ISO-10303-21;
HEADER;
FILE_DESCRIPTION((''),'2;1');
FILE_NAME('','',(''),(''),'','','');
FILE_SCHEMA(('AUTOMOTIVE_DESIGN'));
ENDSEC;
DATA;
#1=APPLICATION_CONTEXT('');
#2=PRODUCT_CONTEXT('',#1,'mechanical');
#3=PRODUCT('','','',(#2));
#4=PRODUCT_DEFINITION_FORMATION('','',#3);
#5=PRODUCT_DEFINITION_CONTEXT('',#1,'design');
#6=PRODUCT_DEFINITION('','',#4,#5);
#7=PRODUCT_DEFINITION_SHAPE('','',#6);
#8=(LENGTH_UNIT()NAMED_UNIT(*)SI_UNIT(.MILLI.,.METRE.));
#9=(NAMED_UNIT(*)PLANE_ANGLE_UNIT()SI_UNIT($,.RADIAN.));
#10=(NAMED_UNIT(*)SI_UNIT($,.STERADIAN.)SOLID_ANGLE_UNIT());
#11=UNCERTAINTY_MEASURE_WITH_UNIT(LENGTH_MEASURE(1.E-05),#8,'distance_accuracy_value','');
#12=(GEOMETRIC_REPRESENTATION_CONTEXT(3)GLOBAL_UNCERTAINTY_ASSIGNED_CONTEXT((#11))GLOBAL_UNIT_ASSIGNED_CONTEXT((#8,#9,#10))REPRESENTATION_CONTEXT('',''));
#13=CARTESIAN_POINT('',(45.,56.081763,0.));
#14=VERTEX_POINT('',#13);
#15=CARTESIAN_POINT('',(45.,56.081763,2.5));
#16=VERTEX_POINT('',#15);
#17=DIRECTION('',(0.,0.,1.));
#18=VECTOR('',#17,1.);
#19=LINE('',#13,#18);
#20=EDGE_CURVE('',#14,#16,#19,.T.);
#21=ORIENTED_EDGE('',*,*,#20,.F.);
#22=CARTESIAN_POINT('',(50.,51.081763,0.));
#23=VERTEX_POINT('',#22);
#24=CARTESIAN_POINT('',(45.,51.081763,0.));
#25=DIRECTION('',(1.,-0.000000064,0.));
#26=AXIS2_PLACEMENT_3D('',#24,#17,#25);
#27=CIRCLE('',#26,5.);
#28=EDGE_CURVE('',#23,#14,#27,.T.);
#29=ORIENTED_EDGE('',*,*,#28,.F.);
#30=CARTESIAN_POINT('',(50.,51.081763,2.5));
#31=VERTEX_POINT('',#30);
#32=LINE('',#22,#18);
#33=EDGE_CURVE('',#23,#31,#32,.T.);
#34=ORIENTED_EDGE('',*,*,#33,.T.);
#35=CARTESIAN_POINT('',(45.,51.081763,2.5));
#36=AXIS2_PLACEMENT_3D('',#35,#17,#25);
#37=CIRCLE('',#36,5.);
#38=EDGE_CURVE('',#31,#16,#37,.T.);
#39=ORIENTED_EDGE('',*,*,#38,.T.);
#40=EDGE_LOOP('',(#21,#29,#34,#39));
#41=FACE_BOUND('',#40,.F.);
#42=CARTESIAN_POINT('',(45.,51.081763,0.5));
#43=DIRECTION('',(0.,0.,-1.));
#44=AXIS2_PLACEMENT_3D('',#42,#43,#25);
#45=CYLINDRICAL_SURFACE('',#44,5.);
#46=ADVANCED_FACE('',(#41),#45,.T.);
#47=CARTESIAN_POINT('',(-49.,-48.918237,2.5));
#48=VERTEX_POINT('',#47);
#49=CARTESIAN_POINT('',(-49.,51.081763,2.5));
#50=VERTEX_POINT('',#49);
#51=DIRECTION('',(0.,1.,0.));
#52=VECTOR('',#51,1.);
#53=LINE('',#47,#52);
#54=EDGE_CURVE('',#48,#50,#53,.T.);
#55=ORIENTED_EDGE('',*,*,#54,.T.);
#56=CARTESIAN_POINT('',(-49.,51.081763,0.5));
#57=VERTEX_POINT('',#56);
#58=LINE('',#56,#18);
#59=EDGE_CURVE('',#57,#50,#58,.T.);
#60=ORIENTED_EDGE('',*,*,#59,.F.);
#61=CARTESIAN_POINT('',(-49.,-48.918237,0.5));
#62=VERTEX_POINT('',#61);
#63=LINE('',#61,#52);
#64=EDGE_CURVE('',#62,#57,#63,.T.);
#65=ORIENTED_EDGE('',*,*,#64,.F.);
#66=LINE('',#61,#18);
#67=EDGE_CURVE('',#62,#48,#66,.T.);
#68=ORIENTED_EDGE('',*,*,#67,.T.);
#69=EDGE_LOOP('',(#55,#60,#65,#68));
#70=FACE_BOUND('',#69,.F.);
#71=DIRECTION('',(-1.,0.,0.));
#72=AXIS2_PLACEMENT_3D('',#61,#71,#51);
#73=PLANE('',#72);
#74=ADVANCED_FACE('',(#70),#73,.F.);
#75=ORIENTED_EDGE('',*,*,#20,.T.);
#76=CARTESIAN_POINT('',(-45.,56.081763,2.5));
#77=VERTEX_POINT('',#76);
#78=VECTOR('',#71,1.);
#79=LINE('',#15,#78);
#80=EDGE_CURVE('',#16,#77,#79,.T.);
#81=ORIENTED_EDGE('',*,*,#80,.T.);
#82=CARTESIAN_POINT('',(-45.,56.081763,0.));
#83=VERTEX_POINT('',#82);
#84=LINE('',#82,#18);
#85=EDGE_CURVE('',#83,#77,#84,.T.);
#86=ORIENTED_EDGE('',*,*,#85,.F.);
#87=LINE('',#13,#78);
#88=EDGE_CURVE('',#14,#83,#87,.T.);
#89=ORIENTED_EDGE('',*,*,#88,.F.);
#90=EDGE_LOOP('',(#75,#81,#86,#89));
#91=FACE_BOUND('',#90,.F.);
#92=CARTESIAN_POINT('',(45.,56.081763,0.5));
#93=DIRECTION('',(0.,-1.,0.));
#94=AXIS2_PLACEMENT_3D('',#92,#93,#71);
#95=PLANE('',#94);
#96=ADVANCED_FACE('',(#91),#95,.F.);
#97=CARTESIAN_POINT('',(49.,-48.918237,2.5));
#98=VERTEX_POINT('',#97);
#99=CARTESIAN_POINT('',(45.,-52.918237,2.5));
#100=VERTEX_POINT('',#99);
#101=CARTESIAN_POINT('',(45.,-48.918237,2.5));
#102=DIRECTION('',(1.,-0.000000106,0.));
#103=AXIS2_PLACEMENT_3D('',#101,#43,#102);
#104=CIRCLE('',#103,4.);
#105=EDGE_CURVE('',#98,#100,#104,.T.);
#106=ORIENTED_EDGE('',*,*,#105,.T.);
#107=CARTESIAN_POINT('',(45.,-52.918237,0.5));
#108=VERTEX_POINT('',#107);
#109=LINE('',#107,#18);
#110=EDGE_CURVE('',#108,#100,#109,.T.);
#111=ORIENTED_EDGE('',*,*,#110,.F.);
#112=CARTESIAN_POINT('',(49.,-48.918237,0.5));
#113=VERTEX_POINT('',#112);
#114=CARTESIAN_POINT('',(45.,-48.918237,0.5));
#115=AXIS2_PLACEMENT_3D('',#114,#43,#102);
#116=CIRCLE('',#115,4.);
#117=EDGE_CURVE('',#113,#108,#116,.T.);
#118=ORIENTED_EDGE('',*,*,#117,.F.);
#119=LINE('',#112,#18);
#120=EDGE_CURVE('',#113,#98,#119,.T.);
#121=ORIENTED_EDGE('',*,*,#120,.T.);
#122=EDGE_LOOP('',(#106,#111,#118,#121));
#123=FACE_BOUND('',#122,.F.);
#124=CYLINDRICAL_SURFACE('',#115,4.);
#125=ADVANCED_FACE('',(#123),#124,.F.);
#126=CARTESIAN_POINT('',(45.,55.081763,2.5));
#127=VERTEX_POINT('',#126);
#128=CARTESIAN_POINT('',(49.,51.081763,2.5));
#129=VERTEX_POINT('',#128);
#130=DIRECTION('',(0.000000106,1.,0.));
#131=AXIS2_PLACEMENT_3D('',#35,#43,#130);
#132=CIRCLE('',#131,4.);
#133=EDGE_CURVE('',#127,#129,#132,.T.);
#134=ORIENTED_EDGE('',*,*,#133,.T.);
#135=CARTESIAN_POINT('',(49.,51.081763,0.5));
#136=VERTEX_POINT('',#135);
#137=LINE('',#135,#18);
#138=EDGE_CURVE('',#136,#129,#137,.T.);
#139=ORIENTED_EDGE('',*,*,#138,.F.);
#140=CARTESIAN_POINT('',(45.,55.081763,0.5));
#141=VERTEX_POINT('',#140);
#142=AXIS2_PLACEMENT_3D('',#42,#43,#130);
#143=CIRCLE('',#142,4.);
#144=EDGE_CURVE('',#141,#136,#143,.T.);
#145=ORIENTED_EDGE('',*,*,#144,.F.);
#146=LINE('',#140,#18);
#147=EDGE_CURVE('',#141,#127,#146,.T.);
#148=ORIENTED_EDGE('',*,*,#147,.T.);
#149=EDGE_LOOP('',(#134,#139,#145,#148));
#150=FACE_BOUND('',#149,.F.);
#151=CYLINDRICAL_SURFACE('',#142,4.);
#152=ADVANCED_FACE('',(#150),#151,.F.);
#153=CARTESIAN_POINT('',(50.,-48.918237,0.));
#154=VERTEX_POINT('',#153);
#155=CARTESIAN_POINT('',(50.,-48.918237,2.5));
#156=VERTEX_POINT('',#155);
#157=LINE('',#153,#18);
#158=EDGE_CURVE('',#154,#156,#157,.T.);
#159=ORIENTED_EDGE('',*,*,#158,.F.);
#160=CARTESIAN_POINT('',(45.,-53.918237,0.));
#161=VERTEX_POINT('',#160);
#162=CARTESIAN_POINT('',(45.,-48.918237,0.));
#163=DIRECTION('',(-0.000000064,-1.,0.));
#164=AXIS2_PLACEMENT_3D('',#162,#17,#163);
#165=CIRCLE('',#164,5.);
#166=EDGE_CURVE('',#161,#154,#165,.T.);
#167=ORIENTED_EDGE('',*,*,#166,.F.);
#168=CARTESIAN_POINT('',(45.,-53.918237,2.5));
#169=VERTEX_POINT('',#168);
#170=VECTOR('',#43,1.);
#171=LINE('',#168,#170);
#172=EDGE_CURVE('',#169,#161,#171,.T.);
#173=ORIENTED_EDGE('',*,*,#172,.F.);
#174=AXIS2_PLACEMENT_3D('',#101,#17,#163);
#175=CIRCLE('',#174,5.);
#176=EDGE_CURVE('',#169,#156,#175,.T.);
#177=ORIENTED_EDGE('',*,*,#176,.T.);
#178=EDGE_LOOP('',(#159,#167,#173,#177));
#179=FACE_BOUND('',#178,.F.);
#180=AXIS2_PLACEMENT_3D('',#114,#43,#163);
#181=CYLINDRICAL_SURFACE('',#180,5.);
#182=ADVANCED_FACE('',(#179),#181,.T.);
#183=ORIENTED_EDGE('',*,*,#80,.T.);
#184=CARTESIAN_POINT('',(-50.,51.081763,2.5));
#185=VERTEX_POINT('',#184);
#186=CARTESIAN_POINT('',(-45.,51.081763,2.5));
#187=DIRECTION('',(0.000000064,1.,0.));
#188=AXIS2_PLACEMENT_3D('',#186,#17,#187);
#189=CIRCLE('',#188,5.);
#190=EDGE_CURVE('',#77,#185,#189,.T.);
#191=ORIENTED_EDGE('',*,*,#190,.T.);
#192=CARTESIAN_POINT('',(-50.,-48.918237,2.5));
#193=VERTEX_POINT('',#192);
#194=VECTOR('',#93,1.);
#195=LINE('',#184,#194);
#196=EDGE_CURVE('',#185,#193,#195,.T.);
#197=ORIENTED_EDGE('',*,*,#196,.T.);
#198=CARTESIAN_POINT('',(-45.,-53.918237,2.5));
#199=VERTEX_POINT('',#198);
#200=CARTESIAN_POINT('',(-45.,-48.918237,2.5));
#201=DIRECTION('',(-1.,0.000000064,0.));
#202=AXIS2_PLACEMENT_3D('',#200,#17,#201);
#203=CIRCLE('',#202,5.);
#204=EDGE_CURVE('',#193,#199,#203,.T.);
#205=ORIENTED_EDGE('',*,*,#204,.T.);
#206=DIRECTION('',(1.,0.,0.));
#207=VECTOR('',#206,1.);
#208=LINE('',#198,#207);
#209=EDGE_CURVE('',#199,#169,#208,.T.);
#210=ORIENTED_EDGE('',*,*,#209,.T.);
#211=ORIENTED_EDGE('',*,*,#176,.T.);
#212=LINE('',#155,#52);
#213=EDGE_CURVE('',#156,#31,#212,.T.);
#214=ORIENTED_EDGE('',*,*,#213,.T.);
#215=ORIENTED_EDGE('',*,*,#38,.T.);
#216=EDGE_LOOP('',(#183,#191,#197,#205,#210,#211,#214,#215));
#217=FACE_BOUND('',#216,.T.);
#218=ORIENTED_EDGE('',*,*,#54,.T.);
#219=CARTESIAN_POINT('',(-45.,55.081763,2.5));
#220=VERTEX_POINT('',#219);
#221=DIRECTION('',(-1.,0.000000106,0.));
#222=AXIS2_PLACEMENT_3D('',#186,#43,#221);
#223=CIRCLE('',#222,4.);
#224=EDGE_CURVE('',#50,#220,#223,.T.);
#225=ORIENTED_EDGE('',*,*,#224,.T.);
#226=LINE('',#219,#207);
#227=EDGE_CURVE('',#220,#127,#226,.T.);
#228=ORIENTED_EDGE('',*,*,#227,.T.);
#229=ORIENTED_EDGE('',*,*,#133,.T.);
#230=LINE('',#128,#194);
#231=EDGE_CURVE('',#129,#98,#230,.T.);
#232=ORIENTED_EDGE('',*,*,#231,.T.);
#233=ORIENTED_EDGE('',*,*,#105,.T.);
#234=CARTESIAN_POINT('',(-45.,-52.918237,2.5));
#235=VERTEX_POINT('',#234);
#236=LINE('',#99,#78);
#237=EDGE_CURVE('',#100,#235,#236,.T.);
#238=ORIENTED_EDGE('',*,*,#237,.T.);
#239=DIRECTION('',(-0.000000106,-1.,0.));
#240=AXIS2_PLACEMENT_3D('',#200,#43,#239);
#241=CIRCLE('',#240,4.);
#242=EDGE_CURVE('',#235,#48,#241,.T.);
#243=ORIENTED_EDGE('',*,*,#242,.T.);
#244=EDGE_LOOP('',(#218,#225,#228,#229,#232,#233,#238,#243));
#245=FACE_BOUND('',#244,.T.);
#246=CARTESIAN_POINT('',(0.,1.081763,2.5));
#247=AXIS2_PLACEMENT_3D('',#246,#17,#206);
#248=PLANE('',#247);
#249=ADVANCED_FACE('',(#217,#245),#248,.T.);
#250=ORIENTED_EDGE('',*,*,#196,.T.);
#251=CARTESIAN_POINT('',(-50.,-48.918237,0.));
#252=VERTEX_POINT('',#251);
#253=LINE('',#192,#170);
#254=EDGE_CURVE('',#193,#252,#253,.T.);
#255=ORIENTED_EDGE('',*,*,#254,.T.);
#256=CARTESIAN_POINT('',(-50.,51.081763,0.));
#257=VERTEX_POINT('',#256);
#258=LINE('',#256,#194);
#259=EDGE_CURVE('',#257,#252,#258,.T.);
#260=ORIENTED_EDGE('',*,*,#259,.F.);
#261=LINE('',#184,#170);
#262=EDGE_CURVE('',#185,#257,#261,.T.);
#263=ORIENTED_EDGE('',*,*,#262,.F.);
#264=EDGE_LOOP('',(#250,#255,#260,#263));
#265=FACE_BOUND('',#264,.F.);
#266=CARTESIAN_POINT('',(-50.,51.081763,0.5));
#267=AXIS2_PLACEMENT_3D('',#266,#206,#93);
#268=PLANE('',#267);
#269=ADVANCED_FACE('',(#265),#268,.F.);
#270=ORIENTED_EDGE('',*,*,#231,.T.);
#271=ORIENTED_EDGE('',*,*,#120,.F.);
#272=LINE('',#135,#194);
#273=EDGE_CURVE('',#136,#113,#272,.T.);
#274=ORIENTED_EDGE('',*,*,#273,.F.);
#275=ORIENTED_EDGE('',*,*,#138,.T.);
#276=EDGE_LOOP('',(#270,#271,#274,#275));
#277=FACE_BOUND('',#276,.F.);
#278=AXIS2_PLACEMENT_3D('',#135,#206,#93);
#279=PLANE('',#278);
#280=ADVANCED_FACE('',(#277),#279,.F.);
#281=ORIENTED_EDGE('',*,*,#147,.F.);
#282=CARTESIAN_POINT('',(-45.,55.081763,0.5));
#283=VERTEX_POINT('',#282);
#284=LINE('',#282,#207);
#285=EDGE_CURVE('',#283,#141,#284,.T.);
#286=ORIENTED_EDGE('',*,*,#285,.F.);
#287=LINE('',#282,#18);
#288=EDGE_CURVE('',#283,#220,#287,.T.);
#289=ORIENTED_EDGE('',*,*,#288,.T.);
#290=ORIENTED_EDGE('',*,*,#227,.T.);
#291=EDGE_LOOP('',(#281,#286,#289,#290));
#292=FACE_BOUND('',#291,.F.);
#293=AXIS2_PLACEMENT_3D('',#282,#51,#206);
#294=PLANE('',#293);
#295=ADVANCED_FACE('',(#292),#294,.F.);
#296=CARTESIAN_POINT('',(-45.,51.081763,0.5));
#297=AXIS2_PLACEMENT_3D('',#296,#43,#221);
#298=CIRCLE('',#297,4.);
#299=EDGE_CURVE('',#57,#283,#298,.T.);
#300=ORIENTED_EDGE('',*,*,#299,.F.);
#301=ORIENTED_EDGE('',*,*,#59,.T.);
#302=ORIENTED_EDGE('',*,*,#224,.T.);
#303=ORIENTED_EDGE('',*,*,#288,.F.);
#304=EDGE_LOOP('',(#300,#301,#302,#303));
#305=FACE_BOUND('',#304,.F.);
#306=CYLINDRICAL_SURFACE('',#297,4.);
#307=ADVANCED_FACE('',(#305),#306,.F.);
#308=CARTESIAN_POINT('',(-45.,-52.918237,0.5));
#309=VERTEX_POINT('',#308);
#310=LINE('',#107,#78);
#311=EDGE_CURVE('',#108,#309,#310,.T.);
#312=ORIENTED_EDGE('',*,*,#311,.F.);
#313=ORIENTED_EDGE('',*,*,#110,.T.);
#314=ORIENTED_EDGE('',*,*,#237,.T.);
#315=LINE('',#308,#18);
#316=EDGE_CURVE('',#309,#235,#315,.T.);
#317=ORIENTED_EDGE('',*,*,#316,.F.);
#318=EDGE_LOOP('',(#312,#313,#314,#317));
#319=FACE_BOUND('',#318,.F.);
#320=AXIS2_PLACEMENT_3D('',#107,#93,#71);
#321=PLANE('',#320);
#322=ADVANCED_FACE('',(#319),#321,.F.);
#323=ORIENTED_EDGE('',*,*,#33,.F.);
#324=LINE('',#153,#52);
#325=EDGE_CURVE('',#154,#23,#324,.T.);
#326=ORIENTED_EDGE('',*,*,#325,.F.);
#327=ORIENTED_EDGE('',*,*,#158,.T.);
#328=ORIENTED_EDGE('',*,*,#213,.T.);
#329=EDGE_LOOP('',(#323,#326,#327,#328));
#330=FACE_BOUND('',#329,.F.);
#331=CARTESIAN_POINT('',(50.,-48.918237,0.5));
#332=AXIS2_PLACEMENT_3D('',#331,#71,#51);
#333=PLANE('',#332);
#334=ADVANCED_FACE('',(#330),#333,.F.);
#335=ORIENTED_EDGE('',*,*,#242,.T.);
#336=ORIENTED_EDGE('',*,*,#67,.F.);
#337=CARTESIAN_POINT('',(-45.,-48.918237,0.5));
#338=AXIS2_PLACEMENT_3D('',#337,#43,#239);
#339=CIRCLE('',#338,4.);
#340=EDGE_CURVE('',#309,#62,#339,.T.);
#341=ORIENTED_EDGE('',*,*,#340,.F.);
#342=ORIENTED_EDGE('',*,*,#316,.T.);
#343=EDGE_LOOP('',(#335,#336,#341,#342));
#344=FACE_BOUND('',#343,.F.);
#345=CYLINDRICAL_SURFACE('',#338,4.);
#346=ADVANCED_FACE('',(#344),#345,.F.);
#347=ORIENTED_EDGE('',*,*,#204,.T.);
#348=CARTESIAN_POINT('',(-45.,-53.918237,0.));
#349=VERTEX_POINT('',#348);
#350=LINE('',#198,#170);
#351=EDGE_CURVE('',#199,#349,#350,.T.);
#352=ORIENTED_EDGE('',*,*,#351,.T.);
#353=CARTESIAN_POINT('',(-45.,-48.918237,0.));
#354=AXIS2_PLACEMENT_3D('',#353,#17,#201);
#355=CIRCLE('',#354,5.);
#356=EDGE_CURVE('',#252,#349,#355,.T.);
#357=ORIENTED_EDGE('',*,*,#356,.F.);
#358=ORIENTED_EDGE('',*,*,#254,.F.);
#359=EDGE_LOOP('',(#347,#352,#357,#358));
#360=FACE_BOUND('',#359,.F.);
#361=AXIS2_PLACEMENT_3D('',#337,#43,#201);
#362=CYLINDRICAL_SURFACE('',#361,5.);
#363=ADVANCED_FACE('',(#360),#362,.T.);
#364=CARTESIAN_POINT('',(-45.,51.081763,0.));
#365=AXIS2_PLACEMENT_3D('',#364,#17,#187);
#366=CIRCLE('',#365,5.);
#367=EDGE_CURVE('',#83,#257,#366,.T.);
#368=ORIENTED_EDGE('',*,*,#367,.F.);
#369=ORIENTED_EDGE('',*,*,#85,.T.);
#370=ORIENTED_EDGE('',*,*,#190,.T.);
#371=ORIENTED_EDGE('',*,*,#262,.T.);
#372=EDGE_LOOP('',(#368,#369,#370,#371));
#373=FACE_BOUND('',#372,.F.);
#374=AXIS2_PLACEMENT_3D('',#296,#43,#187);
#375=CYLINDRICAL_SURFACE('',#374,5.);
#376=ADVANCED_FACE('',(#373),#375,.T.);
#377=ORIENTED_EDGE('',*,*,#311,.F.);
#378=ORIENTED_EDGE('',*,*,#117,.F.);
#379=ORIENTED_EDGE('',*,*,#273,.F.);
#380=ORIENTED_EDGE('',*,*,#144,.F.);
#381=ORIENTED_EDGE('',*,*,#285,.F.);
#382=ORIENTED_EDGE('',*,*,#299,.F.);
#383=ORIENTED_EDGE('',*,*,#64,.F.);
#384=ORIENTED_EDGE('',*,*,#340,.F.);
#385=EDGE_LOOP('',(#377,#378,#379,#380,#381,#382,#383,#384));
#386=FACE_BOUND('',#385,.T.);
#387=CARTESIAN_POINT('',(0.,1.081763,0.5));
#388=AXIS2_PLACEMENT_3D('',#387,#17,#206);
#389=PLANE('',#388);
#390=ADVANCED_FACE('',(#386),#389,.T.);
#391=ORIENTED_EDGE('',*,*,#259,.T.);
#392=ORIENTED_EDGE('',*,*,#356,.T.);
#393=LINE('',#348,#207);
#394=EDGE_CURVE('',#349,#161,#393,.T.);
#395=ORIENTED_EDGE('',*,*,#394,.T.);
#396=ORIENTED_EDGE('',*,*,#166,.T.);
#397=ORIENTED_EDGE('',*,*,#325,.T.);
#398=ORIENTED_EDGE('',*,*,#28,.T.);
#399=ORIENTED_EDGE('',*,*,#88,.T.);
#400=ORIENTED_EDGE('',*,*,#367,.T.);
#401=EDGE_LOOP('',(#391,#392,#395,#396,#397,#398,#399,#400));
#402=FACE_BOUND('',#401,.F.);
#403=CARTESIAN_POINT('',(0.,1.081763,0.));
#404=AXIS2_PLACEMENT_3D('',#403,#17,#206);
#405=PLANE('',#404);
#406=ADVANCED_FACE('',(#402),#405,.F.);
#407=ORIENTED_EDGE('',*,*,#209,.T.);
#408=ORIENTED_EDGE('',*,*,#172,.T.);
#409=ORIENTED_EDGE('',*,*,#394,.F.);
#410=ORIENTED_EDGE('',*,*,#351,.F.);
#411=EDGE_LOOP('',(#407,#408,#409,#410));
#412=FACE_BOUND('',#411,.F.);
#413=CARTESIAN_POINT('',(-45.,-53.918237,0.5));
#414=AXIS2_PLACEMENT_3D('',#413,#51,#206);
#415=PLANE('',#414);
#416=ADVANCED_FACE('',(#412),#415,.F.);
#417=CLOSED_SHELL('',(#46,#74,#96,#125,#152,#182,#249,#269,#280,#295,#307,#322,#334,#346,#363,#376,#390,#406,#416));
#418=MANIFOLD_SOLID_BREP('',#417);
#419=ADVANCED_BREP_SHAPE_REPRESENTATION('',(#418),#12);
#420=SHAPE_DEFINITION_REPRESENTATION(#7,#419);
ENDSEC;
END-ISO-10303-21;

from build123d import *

# Parameters (mm, degrees)
F1_DEPTH = 0.5
F3_DEPTH = 2


with BuildPart() as f1:
    # F0 (on Top) → F1 (new body)
    with BuildSketch(Plane.XY):
        with BuildLine():
            Line((-45, -53.918237), (45, -53.918237))
            ThreePointArc((45, -53.918237), (48.535534, -52.453771), (50, -48.918237))
            Line((50, -48.918237), (50, 51.081763))
            ThreePointArc((50, 51.081763), (48.535534, 54.617297), (45, 56.081763))
            Line((45, 56.081763), (-45, 56.081763))
            ThreePointArc((-45, 56.081763), (-48.535534, 54.617297), (-50, 51.081763))
            Line((-50, 51.081763), (-50, -48.918237))
            ThreePointArc((-50, -48.918237), (-48.535534, -52.453771), (-45, -53.918237))
        make_face()
    extrude(amount=F1_DEPTH)

    # F2 (on face) → F3 (join)
    with BuildSketch(Plane.XY.offset(0.5)):
        with BuildLine():
            ThreePointArc((45, -53.918237), (48.535534, -52.453771), (50, -48.918237))
            Line((50, -48.918237), (50, 51.081763))
            ThreePointArc((50, 51.081763), (48.535534, 54.617297), (45, 56.081763))
            Line((45, 56.081763), (-45, 56.081763))
            ThreePointArc((-45, 56.081763), (-48.535534, 54.617297), (-50, 51.081763))
            Line((-50, 51.081763), (-50, -48.918237))
            ThreePointArc((-50, -48.918237), (-48.535534, -52.453771), (-45, -53.918237))
            Line((-45, -53.918237), (45, -53.918237))
        make_face()
        with BuildLine():
            Line((49, 51.081763), (49, -48.918237))
            ThreePointArc((49, -48.918237), (47.828427, -51.746664), (45, -52.918237))
            Line((45, -52.918237), (-45, -52.918237))
            ThreePointArc((-45, -52.918237), (-47.828427, -51.746664), (-49, -48.918237))
            Line((-49, -48.918237), (-49, 51.081763))
            ThreePointArc((-49, 51.081763), (-47.828427, 53.91019), (-45, 55.081763))
            Line((-45, 55.081763), (45, 55.081763))
            ThreePointArc((45, 55.081763), (47.828427, 53.91019), (49, 51.081763))
        make_face(mode=Mode.SUBTRACT)
    extrude(amount=F3_DEPTH)


solid = f1.part
